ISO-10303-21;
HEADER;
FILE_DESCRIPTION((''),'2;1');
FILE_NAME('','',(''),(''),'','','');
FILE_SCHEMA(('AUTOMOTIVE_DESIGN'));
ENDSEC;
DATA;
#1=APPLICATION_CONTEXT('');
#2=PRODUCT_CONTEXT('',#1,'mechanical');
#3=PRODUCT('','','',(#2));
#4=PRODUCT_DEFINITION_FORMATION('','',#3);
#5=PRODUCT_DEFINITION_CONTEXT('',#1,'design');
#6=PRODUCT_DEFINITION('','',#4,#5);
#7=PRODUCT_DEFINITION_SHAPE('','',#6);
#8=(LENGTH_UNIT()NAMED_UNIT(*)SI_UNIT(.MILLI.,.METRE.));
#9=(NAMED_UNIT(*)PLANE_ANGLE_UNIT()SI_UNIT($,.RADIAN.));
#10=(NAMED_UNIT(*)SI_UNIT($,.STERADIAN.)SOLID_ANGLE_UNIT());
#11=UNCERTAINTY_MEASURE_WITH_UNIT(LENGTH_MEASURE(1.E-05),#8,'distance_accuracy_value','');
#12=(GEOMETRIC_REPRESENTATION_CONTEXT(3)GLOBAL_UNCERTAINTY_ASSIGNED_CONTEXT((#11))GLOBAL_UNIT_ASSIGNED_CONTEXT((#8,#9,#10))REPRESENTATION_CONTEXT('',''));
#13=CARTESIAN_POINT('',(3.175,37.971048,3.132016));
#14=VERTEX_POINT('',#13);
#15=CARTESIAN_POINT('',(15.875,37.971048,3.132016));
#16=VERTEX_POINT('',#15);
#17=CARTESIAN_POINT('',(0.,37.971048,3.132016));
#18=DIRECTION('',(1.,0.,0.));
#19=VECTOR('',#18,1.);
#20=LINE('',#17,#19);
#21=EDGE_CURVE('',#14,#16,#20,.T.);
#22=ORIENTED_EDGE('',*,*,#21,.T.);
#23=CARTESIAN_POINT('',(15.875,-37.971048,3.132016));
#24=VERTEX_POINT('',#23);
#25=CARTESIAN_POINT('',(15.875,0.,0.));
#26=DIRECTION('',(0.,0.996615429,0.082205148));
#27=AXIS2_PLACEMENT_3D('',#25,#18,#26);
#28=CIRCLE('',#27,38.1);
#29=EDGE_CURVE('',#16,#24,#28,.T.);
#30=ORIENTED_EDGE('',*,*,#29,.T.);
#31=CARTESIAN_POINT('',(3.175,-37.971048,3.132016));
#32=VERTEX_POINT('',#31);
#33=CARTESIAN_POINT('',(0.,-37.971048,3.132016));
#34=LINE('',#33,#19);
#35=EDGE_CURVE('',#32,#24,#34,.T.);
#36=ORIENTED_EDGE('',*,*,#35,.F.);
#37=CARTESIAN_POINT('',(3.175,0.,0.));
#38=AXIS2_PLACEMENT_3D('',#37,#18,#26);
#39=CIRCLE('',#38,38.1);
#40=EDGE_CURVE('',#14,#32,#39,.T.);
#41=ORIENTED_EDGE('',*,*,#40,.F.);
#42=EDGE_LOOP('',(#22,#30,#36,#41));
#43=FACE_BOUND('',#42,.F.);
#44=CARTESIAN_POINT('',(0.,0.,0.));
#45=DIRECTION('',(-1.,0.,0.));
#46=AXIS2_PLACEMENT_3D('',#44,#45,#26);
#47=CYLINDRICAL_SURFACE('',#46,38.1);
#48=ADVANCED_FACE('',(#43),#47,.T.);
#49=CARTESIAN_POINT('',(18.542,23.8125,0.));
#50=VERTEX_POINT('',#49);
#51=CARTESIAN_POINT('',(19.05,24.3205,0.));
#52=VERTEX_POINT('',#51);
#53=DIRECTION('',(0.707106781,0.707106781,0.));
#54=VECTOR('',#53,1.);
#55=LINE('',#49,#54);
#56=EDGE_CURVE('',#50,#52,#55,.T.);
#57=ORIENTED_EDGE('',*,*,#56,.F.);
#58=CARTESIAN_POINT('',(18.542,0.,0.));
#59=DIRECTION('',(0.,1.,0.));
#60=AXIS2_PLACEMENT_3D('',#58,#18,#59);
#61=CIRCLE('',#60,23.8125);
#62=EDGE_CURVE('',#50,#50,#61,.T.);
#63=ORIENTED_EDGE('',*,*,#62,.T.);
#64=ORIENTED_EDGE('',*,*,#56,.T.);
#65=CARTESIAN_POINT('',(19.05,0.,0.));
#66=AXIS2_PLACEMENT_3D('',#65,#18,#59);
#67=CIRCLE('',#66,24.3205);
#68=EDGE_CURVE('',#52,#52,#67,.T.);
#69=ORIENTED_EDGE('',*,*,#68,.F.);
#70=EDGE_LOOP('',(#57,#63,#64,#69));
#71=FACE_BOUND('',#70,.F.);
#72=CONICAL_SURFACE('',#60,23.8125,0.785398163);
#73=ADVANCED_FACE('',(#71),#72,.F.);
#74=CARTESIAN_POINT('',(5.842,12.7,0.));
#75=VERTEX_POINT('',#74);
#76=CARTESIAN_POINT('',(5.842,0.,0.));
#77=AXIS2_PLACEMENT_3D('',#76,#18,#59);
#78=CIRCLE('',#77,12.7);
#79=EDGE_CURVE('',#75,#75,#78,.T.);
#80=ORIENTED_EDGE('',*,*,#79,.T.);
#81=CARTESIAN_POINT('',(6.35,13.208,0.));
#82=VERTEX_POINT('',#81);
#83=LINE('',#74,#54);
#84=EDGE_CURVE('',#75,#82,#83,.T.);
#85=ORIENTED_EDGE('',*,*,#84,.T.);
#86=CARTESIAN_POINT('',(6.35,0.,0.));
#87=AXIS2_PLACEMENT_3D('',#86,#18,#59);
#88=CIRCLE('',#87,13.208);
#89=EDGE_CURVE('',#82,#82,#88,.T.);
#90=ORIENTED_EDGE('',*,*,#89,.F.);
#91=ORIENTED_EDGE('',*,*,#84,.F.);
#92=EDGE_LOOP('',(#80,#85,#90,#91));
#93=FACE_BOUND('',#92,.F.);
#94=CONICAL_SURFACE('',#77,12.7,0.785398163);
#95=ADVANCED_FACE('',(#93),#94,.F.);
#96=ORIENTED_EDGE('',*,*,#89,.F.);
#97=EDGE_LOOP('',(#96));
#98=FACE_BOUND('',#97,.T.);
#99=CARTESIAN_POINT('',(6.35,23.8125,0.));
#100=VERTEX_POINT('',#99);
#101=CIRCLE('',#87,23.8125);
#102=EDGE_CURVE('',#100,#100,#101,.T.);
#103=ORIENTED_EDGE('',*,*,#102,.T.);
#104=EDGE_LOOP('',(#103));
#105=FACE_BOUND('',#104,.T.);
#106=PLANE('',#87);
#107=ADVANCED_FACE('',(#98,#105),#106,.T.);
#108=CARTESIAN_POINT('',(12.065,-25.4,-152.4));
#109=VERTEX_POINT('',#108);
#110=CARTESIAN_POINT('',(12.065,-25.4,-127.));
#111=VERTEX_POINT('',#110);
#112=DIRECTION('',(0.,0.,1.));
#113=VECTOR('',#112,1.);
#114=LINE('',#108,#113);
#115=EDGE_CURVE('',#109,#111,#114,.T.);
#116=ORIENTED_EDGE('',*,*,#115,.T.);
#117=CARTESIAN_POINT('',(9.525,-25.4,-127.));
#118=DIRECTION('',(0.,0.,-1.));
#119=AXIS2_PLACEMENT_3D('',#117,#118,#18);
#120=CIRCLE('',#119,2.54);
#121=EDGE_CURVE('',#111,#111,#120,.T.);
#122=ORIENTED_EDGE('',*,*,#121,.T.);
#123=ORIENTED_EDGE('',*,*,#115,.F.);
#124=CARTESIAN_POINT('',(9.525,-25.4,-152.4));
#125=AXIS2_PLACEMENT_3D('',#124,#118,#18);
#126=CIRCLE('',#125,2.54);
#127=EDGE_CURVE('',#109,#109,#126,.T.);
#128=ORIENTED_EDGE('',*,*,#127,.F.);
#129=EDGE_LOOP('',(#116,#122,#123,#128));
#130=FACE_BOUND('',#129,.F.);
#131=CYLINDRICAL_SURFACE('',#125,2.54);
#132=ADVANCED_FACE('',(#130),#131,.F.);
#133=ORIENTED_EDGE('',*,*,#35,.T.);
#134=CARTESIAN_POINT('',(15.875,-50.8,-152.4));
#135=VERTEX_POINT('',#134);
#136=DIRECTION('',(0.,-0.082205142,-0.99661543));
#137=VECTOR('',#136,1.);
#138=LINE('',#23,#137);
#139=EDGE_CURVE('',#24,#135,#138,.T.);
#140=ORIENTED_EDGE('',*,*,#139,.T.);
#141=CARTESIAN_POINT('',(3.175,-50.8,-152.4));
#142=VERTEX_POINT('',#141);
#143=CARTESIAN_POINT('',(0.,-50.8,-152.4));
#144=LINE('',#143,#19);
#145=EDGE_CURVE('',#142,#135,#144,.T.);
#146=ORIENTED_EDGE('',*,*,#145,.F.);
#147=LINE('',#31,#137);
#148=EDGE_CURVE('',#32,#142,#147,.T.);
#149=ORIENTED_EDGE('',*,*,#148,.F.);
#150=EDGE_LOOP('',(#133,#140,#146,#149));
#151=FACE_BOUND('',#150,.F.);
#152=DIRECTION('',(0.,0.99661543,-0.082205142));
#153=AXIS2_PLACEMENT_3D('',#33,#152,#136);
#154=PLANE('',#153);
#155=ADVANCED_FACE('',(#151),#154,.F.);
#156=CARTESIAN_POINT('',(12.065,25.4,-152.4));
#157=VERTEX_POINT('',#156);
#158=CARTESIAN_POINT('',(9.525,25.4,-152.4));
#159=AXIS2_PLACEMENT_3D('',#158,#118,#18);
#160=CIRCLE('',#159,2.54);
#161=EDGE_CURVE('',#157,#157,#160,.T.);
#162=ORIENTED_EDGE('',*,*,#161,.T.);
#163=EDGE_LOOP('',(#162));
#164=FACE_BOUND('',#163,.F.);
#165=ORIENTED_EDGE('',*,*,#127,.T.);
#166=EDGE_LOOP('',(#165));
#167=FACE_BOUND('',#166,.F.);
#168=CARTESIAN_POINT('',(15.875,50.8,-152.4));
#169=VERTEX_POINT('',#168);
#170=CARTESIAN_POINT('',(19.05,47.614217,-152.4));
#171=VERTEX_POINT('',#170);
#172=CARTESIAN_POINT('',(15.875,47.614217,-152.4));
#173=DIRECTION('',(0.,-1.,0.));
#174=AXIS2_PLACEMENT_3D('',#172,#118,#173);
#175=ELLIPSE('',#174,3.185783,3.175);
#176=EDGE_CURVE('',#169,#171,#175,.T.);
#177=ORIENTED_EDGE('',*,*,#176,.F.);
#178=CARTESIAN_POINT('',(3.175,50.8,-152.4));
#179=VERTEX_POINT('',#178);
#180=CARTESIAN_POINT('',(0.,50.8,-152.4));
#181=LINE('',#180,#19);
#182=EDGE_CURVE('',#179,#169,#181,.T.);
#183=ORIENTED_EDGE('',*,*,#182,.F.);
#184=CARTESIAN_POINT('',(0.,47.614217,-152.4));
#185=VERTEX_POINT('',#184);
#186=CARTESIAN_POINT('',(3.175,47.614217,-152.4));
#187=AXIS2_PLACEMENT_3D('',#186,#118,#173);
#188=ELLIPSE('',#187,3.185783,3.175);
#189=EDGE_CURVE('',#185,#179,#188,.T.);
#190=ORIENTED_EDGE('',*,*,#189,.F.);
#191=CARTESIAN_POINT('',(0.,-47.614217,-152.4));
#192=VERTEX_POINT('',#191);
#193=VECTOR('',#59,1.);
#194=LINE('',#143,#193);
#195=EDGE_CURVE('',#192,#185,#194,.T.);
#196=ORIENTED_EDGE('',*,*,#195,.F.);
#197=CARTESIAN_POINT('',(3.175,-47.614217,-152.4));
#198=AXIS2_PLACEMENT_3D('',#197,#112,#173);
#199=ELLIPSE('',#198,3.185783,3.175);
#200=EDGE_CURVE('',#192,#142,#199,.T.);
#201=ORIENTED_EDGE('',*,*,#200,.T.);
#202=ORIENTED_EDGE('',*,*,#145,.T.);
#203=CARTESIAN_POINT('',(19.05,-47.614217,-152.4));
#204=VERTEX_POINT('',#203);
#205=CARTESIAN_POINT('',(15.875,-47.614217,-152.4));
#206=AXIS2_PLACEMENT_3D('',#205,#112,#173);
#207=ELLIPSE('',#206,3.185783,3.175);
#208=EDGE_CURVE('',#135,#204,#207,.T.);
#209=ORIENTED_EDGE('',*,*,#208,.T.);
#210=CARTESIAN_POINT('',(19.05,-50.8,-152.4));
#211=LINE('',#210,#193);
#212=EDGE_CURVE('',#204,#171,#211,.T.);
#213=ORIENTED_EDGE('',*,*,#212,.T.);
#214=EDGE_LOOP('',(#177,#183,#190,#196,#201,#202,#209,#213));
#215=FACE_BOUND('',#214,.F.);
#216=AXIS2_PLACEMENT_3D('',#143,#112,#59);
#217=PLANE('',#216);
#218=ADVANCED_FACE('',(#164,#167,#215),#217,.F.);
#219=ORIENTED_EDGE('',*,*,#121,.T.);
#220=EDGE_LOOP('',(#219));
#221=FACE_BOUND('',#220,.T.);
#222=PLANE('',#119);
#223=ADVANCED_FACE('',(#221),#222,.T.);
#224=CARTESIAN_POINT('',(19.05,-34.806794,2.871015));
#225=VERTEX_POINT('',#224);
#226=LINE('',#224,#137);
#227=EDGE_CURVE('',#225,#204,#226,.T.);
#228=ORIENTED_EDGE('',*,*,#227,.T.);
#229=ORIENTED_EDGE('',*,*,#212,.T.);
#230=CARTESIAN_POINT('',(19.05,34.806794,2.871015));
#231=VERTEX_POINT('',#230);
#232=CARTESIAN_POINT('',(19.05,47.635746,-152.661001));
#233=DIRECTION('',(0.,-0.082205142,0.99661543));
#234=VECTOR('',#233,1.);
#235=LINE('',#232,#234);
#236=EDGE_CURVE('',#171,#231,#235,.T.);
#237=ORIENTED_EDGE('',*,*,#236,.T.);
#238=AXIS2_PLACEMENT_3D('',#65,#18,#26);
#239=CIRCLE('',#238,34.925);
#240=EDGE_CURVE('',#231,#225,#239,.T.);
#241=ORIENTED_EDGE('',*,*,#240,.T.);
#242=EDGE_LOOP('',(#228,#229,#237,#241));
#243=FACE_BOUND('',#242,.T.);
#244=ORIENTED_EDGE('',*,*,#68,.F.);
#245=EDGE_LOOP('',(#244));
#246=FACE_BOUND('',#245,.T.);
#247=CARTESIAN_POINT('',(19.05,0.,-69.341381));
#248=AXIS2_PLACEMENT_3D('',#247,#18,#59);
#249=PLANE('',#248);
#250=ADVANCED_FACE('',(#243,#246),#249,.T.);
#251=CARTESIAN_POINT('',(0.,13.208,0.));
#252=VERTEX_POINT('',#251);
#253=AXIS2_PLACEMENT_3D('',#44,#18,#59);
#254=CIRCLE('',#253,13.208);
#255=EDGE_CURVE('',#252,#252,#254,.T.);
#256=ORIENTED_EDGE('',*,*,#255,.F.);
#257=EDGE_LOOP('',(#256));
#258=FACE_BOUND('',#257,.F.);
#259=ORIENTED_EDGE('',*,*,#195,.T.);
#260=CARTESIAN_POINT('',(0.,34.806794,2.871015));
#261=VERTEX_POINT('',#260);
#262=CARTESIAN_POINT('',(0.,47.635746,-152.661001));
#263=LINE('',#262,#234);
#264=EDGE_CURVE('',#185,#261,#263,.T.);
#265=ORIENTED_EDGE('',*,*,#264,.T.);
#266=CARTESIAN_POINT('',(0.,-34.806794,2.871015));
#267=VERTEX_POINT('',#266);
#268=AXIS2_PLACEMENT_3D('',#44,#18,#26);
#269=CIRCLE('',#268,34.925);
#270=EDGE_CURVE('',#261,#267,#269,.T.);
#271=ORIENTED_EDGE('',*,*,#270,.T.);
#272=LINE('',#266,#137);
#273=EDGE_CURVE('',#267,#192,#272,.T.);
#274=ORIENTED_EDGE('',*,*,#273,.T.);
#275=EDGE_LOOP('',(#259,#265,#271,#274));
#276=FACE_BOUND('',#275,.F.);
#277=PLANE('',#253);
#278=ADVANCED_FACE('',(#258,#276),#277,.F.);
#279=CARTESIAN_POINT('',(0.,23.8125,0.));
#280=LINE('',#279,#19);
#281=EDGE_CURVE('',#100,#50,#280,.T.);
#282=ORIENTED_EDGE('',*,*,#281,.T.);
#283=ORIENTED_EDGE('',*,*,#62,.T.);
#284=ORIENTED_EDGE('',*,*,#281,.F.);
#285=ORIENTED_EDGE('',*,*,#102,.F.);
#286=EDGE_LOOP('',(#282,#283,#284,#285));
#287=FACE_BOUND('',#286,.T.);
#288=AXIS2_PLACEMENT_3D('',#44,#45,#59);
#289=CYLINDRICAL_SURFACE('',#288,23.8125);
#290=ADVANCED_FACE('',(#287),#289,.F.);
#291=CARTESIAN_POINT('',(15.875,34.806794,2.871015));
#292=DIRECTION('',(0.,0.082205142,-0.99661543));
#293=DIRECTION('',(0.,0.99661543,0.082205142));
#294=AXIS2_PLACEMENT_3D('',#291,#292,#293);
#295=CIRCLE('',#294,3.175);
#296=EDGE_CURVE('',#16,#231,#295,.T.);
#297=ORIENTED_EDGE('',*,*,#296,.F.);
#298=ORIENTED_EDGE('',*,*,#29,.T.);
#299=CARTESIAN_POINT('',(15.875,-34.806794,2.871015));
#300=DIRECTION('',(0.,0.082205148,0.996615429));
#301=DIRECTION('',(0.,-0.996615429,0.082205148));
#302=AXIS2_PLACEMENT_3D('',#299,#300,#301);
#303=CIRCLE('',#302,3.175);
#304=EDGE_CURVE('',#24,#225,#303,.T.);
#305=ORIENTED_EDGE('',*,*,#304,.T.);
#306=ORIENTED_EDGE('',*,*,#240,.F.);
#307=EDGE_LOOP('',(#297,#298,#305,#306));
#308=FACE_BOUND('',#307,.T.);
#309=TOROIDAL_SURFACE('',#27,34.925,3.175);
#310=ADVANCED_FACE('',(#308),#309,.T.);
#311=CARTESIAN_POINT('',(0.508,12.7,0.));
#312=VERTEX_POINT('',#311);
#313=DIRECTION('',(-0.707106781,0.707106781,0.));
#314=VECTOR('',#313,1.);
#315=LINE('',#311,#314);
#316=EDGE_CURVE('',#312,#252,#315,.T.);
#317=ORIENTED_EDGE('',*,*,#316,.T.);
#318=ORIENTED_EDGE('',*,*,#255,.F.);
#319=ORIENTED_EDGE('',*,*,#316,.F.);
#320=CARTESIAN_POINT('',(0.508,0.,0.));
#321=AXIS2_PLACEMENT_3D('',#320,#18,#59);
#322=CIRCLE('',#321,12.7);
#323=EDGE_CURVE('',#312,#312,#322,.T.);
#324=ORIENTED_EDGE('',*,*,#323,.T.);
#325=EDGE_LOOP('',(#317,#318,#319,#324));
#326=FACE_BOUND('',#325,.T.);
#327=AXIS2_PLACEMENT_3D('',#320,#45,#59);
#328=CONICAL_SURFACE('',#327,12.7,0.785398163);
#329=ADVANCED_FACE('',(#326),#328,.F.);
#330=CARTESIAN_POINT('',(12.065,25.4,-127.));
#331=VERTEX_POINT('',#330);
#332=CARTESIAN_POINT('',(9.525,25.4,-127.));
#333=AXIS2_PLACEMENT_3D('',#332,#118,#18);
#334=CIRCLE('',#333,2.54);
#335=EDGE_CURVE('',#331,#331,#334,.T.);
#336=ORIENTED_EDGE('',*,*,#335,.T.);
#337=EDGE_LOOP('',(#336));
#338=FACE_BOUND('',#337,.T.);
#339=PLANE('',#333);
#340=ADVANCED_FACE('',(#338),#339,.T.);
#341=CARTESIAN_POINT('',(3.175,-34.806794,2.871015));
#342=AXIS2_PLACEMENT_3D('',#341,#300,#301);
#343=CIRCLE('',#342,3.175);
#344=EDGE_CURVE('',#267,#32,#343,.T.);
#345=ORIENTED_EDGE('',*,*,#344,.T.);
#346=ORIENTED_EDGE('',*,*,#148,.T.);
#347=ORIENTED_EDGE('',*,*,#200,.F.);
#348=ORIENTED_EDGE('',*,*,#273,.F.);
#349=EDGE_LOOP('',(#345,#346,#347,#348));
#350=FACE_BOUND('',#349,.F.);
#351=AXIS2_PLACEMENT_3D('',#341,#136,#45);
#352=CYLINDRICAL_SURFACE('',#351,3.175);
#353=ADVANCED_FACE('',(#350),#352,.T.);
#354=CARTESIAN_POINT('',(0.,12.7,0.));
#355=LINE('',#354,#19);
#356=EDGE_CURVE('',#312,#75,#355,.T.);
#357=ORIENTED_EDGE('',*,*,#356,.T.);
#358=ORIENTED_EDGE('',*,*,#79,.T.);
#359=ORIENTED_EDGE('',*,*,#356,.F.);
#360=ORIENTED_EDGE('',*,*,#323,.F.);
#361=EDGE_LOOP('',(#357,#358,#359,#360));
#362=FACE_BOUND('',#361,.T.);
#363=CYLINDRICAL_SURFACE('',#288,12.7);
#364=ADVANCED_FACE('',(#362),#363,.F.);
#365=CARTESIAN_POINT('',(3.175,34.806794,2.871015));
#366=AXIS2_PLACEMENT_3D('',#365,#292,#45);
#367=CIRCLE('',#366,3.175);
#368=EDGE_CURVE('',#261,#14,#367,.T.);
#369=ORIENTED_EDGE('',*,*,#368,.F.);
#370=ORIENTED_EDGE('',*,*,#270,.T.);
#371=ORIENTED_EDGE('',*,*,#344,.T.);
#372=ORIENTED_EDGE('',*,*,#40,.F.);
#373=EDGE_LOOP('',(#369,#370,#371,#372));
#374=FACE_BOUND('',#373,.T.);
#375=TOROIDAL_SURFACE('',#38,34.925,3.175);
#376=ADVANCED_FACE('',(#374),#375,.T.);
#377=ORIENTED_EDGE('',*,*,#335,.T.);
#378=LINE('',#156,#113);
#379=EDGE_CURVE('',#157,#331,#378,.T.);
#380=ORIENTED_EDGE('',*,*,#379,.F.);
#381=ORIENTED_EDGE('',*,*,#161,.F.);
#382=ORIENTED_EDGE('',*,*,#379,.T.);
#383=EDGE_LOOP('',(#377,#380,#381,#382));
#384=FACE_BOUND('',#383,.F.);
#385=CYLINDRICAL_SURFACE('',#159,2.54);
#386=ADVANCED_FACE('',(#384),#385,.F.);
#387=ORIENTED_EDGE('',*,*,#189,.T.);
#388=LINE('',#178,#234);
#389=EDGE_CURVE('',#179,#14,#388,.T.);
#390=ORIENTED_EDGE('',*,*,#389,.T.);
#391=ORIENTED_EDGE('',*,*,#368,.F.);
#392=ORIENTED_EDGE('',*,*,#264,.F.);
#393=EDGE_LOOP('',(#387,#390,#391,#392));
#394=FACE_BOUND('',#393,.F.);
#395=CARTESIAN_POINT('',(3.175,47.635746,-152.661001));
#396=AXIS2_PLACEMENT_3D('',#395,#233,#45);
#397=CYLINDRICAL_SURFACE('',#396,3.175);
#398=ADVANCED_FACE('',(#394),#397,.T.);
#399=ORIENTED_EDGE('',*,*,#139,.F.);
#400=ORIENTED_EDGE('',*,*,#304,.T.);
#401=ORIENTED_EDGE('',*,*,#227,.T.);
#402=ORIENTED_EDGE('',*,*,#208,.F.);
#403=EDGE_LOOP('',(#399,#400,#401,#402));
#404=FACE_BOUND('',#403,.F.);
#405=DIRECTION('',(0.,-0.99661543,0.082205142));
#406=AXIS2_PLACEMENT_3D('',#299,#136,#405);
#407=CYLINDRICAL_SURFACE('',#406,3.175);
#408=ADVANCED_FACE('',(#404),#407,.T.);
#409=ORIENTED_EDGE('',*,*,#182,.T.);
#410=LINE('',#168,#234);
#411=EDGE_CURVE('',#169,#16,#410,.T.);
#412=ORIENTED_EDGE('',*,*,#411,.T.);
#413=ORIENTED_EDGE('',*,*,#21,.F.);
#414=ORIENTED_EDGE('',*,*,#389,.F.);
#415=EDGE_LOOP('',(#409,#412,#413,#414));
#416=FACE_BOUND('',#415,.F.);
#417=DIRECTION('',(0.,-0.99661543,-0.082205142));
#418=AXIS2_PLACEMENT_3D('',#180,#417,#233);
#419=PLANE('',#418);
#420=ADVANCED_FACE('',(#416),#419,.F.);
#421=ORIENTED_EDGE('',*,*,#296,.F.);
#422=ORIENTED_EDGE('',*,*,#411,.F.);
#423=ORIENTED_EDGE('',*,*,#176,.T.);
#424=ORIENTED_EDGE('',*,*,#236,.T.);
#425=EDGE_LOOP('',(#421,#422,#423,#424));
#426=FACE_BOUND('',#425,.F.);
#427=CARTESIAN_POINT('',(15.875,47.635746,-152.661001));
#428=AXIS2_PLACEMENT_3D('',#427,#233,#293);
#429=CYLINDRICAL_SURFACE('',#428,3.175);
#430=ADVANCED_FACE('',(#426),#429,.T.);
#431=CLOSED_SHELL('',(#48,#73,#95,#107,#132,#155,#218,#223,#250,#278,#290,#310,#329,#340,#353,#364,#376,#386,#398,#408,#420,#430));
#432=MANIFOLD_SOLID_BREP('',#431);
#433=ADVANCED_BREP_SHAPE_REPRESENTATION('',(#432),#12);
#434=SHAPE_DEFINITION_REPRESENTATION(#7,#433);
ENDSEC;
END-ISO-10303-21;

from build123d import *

# Parameters (mm, degrees)
F0_R     = 23.8125
F1_DEPTH = 19.05
F0_R_2   = 12.7
F2_DEPTH = 6.35
F3_SIZE  = 0.508
F4_R     = 2.54
F5_DEPTH = 25.4
F6_R     = 3.175


with BuildPart() as f1:
    # F0 (on Right) → F1 (new body)
    with BuildSketch(Plane.YZ):
        with BuildLine():
            Line((50.8, -152.4), (37.971048, 3.132016))
            ThreePointArc((37.971048, 3.132016), (0, 38.1), (-37.971048, 3.132016))
            Line((-37.971048, 3.132016), (-50.8, -152.4))
            Line((-50.8, -152.4), (50.8, -152.4))
        make_face()
        Circle(F0_R, mode=Mode.SUBTRACT)
    extrude(amount=F1_DEPTH)

    # F0 (on Right) → F2 (join)
    with BuildSketch(Plane.YZ):
        Circle(F0_R)
        Circle(F0_R_2, mode=Mode.SUBTRACT)
    extrude(amount=F2_DEPTH)

    # F3
    f3_edges = [f1.edges().sort_by_distance(p)[0] for p in [
        (6.35, -12.7, 0),
        (19.05, -23.8125, 0),
        (0, -12.7, 0),
    ]]
    chamfer(f3_edges, length=F3_SIZE)

    # F4 (on face) → F5 (cut)
    with BuildSketch(Plane(origin=(0, 0, -152.4), x_dir=(1, 0, 0), z_dir=(0, 0, -1))):
        with Locations((9.525, 25.4)):
            Circle(F4_R)
        with Locations((9.525, -25.4)):
            Circle(F4_R)
    extrude(amount=-F5_DEPTH, mode=Mode.SUBTRACT)

    # F6
    f6_edges = [f1.edges().sort_by_distance(p)[0] for p in [
        (19.05, -44.385524, -74.633992),
        (0, -44.385524, -74.633992),
    ]]
    fillet(f6_edges, radius=F6_R)


solid = f1.part
